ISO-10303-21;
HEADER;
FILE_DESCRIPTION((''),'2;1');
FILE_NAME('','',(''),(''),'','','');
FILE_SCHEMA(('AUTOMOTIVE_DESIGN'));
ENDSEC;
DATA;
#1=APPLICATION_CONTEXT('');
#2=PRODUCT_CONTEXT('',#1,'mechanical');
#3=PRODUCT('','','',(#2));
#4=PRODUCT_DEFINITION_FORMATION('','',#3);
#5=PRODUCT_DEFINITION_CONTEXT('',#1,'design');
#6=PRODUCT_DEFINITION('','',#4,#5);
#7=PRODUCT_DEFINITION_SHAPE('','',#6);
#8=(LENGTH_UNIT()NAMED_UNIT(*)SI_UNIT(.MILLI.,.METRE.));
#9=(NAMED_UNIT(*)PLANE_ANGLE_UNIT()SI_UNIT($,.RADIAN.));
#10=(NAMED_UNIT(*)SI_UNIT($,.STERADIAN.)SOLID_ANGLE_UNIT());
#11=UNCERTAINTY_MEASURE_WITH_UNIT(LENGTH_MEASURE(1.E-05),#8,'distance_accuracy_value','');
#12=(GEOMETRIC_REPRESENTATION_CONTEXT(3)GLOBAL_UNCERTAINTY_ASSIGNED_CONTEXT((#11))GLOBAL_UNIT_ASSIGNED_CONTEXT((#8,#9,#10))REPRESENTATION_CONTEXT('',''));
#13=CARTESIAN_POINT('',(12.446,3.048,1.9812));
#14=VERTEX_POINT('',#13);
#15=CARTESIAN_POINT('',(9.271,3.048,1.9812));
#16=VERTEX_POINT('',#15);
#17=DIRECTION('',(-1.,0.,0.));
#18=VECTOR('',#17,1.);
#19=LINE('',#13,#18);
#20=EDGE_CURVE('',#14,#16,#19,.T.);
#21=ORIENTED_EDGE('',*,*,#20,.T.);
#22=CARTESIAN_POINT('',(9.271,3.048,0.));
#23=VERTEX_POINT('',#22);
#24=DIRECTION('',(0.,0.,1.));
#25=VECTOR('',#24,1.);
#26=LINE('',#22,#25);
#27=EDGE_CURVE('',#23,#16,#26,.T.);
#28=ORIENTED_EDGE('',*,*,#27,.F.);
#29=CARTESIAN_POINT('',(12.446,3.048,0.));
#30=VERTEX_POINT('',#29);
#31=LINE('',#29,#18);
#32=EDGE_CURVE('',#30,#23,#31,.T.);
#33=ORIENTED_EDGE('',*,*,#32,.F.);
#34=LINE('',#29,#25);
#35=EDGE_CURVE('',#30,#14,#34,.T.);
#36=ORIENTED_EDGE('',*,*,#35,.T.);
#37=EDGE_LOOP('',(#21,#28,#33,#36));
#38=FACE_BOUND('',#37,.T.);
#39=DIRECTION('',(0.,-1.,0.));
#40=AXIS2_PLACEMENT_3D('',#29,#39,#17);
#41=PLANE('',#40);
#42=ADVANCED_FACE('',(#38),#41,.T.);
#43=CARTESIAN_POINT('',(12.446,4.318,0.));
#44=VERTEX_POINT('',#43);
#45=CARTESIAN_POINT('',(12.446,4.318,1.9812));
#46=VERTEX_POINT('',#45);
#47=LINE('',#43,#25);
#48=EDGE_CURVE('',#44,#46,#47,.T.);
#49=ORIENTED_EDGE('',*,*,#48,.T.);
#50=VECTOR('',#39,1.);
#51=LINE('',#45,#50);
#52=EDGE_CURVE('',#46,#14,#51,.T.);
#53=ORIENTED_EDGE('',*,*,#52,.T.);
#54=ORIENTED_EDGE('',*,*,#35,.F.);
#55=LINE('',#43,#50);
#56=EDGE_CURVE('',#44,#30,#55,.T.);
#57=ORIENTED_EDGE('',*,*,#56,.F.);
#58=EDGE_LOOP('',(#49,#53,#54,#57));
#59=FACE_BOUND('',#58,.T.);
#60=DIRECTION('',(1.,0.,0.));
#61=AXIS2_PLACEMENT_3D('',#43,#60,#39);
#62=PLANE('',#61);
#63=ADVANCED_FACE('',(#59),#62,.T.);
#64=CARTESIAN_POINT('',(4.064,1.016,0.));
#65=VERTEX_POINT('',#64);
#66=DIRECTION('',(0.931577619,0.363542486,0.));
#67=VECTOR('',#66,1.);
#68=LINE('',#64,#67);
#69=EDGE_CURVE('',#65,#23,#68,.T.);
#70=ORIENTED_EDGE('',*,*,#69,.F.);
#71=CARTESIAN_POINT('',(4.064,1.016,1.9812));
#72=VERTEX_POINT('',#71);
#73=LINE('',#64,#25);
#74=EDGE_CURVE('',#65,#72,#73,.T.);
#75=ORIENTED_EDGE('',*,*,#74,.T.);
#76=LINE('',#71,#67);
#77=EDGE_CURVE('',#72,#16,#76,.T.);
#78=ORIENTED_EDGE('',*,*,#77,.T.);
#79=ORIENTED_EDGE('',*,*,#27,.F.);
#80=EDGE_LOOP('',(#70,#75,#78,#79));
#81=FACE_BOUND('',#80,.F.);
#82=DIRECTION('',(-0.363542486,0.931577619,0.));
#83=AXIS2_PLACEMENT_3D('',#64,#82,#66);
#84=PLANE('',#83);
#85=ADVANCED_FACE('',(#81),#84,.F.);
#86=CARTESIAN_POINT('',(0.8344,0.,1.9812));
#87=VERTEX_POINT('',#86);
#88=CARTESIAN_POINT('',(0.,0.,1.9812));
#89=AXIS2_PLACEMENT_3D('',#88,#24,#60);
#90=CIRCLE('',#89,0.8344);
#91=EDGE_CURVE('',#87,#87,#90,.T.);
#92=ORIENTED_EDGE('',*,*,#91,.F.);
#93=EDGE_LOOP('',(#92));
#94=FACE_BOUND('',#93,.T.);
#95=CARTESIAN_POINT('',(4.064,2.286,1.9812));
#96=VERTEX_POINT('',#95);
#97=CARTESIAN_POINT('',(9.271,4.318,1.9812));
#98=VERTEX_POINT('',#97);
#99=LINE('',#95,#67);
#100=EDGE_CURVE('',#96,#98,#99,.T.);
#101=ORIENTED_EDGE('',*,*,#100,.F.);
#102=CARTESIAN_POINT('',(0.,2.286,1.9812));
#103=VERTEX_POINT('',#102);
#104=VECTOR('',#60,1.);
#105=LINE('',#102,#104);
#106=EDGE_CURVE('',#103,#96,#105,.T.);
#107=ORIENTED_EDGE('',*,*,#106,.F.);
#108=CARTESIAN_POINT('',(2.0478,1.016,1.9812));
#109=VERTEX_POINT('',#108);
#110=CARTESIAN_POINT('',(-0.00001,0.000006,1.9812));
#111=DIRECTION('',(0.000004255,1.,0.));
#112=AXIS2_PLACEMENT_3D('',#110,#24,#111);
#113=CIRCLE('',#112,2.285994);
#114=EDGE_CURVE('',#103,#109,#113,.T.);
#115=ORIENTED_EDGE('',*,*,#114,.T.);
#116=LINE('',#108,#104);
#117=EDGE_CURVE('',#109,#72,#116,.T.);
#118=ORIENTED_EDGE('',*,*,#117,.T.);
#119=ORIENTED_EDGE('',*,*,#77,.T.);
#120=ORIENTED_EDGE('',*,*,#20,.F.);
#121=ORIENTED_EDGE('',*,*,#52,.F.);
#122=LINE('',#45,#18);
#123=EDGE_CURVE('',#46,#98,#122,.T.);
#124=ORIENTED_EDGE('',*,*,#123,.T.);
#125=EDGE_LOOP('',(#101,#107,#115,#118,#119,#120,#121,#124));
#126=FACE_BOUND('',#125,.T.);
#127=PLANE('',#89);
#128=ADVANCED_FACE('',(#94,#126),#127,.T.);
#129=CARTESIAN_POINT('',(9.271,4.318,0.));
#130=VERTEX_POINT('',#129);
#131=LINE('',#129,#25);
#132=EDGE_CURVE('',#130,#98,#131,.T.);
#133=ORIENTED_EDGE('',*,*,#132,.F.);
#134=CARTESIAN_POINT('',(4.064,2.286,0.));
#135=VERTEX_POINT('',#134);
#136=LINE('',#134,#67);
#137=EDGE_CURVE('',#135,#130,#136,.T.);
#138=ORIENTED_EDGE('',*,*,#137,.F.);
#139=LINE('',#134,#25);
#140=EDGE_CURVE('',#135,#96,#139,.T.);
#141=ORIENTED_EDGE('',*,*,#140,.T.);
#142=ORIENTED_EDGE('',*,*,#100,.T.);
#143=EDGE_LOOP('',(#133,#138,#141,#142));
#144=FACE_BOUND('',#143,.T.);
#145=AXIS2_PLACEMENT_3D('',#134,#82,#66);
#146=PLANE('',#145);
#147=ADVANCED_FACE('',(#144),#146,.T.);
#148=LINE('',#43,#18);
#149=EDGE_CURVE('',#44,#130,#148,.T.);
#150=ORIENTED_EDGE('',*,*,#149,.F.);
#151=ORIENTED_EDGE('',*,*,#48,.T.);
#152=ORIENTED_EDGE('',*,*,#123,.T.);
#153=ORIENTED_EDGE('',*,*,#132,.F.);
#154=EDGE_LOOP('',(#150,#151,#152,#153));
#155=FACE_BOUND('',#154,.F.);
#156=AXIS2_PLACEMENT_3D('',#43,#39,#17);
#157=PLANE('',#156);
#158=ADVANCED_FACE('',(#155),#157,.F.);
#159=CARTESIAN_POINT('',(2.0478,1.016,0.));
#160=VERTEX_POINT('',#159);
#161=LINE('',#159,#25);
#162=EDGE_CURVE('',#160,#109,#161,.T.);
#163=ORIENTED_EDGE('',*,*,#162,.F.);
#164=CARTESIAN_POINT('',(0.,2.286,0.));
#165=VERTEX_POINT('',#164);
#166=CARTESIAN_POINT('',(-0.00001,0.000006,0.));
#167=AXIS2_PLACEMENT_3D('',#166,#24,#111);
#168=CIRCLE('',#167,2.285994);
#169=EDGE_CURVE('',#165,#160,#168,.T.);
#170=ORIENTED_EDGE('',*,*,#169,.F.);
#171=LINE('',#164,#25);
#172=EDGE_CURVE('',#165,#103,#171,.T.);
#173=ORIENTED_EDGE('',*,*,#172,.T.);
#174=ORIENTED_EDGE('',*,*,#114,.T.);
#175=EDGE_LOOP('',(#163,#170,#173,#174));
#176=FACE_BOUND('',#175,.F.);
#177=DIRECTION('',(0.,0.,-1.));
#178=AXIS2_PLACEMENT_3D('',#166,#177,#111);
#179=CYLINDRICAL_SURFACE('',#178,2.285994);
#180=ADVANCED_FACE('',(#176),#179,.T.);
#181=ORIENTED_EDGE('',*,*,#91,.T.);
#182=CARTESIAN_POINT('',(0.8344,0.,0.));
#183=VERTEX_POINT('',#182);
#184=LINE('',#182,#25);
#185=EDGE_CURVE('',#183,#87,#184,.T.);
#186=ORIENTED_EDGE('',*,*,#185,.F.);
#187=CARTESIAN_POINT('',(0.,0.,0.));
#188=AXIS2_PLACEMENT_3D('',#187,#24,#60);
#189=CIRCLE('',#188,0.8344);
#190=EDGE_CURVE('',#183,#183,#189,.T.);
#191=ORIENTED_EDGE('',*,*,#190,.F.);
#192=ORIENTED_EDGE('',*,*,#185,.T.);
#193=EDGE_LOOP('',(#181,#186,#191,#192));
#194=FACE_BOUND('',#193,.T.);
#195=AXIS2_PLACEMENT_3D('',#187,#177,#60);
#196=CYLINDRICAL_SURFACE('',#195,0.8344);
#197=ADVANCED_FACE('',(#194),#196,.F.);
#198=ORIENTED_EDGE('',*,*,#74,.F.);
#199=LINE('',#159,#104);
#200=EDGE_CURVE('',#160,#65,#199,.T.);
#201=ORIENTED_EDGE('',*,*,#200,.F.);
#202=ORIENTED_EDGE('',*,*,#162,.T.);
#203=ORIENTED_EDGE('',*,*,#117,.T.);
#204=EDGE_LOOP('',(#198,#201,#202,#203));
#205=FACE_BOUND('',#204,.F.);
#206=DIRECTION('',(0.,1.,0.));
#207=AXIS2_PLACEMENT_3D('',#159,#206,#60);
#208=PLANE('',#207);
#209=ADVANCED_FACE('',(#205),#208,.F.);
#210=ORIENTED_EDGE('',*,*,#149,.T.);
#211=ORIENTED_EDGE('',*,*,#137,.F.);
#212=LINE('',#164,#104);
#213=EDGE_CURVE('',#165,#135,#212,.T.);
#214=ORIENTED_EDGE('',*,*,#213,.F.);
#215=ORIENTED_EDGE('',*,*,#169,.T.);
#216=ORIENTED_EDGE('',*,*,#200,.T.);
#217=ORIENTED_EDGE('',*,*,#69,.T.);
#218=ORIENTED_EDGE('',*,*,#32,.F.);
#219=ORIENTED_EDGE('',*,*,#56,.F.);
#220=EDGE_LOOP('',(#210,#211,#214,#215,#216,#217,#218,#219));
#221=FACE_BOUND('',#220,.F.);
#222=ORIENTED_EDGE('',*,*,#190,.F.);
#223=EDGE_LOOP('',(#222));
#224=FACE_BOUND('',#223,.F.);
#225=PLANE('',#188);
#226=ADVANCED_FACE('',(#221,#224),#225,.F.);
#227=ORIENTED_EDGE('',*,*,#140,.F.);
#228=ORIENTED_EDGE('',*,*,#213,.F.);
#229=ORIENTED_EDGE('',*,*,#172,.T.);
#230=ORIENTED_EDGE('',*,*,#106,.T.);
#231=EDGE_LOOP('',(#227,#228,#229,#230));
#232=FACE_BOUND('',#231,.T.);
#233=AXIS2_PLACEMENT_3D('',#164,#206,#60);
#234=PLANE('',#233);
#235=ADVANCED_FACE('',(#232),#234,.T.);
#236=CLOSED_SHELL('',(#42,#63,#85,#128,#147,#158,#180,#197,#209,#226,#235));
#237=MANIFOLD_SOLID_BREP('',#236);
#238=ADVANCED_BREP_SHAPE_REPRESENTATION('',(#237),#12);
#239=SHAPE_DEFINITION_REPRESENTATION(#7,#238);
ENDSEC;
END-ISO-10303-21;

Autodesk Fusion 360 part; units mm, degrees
sketch "Sketch1" plane through (0, 0, 0) normal (0, 0, 1) x (1, 0, 0)
  circle A0 centre (0, 0) radius 0.8344
  line L0 (0, 0) -> (-2.286, 0) construction
  line L1 (0, 2.286) -> (4.064, 2.286)
  line L2 (2.0478, 1.016) -> (4.064, 1.016)
  line L3 (12.446, 4.318) -> (9.271, 4.318)
  line L4 (12.446, 4.318) -> (12.446, 3.048)
  line L5 (12.446, 3.048) -> (9.271, 3.048)
  line L6 (4.064, 2.286) -> (9.271, 4.318)
  line L7 (4.064, 1.016) -> (9.271, 3.048)
  arc A1 (0, 2.286) -> (2.0478, 1.016) centre (0, 0) ccw
  dimension "d1" = 1.6688
  dimension "d2" = 4.572
  dimension "d9" = 3.175
  dimension "d10" = 1.27
  dimension "d11" = 3.175
extrude "Extrude1" add sketch "Sketch1" along normal blind 1.9812
